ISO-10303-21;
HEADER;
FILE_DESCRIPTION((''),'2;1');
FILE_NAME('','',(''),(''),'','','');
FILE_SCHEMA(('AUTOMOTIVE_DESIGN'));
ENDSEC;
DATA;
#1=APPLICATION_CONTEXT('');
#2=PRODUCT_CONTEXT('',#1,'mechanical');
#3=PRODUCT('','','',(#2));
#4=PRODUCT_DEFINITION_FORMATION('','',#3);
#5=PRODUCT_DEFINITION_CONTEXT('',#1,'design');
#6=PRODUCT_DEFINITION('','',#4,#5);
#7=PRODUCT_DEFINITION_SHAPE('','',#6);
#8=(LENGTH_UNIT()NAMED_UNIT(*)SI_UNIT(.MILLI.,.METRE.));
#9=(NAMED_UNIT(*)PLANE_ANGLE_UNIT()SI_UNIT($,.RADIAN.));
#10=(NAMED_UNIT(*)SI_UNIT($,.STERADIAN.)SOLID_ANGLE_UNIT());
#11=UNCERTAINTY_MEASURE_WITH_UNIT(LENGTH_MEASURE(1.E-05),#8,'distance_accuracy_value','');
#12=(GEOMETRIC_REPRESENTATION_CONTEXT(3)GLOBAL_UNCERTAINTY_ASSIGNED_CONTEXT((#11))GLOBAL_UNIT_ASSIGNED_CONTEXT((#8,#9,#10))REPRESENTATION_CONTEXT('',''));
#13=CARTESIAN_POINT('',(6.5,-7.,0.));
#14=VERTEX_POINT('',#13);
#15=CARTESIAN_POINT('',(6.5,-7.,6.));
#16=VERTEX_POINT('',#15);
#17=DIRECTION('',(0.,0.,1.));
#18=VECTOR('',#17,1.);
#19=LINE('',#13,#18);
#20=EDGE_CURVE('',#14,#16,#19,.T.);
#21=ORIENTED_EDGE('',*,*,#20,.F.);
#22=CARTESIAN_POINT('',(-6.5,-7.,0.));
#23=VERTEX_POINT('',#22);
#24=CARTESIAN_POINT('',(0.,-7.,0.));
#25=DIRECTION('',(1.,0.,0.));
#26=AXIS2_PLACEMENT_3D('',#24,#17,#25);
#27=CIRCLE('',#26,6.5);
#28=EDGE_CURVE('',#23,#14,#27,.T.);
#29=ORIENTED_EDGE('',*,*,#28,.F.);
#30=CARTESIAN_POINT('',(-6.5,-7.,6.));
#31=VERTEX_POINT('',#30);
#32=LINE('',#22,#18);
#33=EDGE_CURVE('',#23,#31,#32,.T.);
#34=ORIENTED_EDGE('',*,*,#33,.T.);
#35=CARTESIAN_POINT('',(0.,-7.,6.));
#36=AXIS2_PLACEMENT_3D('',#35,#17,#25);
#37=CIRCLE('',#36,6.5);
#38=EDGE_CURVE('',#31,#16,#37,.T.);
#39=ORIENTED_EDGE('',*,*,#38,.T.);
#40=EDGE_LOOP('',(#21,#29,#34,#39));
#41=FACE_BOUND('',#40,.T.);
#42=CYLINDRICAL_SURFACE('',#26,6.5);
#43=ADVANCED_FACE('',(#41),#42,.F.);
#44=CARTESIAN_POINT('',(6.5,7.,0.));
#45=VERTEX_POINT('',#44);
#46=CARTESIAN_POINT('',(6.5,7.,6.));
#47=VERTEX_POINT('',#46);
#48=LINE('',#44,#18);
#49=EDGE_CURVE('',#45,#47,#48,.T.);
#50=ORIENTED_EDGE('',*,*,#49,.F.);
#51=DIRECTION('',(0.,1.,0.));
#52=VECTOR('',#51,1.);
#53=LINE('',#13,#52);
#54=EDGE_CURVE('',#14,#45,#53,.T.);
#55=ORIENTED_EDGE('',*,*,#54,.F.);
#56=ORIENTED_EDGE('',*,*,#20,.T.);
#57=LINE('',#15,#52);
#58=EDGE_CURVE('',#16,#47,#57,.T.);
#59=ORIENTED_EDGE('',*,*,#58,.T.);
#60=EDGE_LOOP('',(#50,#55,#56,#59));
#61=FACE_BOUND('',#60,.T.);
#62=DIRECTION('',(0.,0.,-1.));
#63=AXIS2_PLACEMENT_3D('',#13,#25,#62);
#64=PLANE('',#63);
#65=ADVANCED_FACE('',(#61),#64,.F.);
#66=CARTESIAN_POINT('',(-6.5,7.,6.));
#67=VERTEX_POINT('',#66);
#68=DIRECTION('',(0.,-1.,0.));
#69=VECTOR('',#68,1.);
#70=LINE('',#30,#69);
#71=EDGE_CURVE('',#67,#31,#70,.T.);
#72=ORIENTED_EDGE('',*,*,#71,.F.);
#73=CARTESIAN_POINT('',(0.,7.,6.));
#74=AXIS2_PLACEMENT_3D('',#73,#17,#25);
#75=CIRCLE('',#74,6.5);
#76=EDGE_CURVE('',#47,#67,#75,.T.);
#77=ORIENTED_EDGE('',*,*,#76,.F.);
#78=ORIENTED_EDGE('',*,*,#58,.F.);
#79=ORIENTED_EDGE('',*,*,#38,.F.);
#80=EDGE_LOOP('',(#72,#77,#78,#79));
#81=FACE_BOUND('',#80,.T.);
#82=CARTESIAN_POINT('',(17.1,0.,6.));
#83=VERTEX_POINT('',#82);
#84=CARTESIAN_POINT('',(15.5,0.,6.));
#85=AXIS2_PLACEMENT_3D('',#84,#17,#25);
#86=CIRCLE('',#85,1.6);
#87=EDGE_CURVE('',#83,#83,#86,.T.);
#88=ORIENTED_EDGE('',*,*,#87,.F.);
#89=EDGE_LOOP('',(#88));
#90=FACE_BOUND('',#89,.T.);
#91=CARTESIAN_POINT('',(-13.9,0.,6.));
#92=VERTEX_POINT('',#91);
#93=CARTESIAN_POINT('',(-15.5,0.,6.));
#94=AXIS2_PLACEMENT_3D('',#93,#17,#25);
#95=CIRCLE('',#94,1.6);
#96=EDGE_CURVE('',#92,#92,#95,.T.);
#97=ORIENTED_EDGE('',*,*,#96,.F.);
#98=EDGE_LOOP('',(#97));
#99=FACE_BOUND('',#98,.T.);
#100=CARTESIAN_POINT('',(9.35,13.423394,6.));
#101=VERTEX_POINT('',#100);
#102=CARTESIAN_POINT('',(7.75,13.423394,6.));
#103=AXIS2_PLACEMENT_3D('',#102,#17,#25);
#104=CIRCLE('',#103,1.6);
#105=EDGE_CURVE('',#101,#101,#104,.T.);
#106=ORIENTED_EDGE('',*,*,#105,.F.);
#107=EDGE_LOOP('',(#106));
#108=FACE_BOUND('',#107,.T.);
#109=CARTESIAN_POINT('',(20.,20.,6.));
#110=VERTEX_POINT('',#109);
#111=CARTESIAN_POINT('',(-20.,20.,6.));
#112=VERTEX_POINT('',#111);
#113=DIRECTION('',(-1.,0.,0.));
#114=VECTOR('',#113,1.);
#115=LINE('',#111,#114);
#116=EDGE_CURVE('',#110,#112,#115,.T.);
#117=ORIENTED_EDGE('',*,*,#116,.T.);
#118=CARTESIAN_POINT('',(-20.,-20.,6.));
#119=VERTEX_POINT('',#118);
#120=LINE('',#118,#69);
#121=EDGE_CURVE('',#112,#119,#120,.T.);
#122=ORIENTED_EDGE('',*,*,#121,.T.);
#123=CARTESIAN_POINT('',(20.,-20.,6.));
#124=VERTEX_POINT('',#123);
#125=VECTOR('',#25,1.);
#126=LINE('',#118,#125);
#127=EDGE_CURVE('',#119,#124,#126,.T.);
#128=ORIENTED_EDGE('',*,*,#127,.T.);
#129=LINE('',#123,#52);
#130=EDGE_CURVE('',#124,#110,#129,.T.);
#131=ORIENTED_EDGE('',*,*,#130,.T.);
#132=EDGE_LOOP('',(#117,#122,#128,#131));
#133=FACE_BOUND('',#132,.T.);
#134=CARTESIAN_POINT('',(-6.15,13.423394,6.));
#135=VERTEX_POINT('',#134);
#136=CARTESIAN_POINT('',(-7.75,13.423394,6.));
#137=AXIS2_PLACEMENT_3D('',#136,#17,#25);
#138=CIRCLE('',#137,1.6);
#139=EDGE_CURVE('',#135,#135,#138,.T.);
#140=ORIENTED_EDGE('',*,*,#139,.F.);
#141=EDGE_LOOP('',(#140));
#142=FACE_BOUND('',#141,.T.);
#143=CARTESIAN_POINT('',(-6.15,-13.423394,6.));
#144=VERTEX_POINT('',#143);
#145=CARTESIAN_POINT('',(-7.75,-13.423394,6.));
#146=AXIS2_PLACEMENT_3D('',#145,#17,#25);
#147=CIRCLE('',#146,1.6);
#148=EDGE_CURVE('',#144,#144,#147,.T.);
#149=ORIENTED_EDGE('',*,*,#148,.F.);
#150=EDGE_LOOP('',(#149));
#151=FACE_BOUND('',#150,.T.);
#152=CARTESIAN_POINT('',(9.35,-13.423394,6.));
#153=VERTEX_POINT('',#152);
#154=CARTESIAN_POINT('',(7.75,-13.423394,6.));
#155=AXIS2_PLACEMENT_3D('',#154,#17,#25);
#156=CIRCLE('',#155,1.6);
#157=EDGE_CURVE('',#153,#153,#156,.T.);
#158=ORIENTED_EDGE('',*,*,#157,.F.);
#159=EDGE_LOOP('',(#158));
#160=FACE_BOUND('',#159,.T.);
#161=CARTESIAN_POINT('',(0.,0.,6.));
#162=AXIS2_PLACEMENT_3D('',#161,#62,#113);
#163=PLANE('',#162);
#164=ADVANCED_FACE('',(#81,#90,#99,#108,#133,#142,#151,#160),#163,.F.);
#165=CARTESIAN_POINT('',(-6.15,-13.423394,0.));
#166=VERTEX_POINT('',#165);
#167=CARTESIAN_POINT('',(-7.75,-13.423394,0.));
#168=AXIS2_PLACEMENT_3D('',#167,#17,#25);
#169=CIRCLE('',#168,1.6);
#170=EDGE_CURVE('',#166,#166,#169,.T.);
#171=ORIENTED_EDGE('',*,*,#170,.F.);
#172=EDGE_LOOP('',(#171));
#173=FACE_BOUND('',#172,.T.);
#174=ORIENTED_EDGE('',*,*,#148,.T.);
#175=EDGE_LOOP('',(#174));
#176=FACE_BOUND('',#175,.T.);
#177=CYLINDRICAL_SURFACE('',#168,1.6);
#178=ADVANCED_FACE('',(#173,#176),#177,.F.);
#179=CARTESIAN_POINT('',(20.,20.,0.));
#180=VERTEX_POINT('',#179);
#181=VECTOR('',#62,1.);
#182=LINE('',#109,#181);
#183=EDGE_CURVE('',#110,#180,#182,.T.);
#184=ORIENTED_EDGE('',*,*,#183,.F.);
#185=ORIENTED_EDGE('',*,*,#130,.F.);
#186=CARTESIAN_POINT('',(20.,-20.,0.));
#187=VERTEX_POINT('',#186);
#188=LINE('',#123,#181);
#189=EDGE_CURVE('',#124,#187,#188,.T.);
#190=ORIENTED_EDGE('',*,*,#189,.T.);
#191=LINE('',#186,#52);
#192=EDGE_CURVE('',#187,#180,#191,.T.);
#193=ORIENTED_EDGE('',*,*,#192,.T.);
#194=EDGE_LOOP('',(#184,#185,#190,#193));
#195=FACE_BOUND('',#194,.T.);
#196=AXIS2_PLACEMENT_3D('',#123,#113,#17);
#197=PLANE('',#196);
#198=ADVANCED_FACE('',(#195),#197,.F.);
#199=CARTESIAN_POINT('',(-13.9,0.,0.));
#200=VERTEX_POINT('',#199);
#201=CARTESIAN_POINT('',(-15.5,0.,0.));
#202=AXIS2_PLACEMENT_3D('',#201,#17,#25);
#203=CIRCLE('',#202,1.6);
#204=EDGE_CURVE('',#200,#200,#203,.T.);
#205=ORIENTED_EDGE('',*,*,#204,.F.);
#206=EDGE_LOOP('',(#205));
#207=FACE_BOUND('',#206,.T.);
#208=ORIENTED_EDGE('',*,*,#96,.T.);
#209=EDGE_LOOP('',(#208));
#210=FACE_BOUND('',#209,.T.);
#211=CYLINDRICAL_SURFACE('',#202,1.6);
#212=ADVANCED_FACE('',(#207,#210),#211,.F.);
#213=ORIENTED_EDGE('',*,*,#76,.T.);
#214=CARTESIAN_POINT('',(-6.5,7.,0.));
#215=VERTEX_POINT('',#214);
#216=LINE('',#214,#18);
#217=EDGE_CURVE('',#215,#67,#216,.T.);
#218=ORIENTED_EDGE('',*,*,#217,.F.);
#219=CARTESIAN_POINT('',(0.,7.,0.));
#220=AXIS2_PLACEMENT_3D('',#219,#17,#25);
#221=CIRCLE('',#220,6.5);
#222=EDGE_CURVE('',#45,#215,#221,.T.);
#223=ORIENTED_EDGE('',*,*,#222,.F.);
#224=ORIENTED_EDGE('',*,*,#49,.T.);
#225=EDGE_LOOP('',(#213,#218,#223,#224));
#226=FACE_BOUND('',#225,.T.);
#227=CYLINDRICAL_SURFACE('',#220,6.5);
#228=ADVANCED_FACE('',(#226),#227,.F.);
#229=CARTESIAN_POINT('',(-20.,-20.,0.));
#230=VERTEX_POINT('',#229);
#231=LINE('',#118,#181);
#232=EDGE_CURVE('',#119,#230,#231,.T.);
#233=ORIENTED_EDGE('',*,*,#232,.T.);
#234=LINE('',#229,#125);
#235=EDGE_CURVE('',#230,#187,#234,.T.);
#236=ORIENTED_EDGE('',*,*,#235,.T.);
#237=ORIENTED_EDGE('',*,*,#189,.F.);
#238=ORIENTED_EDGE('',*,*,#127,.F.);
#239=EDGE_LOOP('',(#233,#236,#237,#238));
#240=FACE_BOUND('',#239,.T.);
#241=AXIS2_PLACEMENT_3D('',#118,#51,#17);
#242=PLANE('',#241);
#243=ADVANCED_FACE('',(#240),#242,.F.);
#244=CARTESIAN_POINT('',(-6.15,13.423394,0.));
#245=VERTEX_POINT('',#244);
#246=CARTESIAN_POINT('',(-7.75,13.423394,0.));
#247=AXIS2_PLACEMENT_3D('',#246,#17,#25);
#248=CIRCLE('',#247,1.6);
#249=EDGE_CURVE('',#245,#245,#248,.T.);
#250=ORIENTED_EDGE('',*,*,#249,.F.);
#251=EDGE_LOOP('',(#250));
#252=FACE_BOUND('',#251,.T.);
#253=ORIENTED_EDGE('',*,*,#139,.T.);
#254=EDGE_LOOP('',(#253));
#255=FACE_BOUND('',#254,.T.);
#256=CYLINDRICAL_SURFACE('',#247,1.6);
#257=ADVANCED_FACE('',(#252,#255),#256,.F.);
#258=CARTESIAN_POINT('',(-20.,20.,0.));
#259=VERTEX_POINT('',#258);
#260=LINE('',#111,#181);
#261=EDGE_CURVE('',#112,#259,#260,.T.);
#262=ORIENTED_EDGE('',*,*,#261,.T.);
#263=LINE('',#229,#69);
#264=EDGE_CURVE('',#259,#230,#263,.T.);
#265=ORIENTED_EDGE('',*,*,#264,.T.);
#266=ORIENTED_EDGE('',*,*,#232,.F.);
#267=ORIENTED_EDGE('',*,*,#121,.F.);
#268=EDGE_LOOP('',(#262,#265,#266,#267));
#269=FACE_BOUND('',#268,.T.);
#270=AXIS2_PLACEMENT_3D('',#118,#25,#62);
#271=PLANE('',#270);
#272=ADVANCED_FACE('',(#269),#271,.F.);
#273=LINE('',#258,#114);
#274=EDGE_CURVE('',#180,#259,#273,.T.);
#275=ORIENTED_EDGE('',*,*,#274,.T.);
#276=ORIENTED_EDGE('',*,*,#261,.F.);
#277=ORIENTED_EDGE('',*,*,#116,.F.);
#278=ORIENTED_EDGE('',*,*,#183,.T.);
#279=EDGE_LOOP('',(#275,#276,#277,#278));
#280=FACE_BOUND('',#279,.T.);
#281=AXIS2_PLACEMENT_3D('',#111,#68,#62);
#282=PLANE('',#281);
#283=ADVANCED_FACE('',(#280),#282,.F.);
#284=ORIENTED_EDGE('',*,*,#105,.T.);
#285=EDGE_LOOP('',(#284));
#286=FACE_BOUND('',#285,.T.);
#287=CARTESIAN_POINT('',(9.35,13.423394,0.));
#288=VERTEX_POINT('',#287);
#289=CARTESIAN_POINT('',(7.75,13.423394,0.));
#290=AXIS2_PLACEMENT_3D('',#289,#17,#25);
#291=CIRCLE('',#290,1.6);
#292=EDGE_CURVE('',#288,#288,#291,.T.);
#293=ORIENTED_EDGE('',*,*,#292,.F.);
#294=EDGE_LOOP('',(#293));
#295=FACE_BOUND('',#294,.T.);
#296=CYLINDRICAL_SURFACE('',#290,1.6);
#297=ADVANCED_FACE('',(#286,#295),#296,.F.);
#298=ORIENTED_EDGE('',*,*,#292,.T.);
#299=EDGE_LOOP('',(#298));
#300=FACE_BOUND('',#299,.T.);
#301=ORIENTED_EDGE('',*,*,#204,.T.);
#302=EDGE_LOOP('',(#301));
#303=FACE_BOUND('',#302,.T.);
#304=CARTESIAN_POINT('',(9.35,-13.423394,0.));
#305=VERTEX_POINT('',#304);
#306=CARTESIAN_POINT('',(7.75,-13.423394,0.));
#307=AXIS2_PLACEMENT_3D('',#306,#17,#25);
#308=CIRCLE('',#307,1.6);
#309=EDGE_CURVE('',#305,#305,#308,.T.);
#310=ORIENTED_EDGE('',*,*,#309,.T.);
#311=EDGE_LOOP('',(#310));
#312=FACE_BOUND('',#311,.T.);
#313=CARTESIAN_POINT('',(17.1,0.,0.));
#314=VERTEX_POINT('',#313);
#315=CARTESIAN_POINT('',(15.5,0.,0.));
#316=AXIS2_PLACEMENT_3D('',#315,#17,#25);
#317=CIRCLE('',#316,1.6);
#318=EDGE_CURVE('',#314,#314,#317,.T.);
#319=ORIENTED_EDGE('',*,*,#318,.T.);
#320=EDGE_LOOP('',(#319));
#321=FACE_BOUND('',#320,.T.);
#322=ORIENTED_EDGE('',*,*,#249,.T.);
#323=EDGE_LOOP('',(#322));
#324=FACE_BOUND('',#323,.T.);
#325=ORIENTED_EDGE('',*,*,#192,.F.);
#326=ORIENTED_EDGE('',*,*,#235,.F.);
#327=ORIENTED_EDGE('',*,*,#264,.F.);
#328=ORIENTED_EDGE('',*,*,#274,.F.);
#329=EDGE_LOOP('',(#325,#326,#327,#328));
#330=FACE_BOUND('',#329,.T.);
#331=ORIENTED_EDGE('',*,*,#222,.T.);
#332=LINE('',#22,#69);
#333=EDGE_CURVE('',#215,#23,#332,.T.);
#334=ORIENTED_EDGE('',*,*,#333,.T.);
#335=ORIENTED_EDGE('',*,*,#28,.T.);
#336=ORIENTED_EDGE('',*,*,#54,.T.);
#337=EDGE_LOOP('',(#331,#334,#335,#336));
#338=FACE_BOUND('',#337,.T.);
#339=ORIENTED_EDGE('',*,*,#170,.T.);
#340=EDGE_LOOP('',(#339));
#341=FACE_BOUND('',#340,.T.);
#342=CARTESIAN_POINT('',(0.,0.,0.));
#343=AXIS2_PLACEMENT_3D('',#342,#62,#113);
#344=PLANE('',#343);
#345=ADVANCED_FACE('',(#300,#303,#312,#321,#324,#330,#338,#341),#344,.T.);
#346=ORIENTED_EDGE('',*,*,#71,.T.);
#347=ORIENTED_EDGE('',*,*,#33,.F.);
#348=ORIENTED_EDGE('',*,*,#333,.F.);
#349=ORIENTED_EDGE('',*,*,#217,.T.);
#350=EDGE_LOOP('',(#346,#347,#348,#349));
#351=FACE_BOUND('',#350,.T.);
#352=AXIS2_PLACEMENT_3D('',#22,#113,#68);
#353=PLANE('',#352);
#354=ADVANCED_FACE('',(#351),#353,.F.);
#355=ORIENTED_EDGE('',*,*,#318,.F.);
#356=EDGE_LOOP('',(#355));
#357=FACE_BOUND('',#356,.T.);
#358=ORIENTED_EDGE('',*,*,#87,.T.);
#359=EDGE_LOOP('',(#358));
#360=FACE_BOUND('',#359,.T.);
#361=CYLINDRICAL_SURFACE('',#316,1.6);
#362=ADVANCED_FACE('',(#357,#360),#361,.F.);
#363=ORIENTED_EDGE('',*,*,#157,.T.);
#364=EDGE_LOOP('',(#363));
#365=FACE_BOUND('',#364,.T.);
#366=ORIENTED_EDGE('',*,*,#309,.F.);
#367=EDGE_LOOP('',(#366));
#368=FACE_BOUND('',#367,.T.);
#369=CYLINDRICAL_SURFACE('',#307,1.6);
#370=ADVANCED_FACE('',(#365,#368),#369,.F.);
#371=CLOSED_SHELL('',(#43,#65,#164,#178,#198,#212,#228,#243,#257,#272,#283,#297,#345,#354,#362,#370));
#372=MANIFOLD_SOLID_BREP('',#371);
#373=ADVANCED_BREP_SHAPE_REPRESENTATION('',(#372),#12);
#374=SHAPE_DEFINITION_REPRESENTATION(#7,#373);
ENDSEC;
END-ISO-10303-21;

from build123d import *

# Parameters (mm, degrees)
SKETCH_1_W               = 40
SKETCH_1_H               = 40
EXTRUDE_1_DEPTH          = 6
CUT_EXTRUDE_1_DEPTH      = 29.91366459
CUT_EXTRUDE_1_DEPTH_BACK = 29.91366459
SKETCH_3_R               = 1.6
CUT_EXTRUDE_2_DEPTH      = 29.91366459


with BuildPart() as part:
    # 草圖1 → 填料-伸長1 (new body)
    with BuildSketch(Plane.XY):
        Rectangle(SKETCH_1_W, SKETCH_1_H)
    extrude(amount=EXTRUDE_1_DEPTH)

    # 草圖2 → 除料-伸長1 (cut, two sides: drawn at the far end of the back side and taken through both)
    with BuildSketch(Plane.XY.offset(6).offset(-CUT_EXTRUDE_1_DEPTH_BACK)):
        with BuildLine():
            Line((-6.5, -7), (-6.5, 7))
            ThreePointArc((-6.5, 7), (0, 13.5), (6.5, 7))
            Line((6.5, 7), (6.5, -7))
            ThreePointArc((6.5, -7), (0, -13.5), (-6.5, -7))
        make_face()
    extrude(amount=CUT_EXTRUDE_1_DEPTH + CUT_EXTRUDE_1_DEPTH_BACK, mode=Mode.SUBTRACT)

    # 草圖3 → 除料-伸長2 (cut, through all)
    with BuildSketch(Plane.XY.offset(6)):
        with Locations((-15.5, 0)):
            Circle(SKETCH_3_R)
        with Locations((-7.75, 13.423393759)):
            Circle(SKETCH_3_R)
        with Locations((7.75, 13.423393759)):
            Circle(SKETCH_3_R)
        with Locations((15.5, 0)):
            Circle(SKETCH_3_R)
        with Locations((7.75, -13.423393759)):
            Circle(SKETCH_3_R)
        with Locations((-7.75, -13.423393759)):
            Circle(SKETCH_3_R)
    extrude(amount=-CUT_EXTRUDE_2_DEPTH, mode=Mode.SUBTRACT)


solid = part.part
